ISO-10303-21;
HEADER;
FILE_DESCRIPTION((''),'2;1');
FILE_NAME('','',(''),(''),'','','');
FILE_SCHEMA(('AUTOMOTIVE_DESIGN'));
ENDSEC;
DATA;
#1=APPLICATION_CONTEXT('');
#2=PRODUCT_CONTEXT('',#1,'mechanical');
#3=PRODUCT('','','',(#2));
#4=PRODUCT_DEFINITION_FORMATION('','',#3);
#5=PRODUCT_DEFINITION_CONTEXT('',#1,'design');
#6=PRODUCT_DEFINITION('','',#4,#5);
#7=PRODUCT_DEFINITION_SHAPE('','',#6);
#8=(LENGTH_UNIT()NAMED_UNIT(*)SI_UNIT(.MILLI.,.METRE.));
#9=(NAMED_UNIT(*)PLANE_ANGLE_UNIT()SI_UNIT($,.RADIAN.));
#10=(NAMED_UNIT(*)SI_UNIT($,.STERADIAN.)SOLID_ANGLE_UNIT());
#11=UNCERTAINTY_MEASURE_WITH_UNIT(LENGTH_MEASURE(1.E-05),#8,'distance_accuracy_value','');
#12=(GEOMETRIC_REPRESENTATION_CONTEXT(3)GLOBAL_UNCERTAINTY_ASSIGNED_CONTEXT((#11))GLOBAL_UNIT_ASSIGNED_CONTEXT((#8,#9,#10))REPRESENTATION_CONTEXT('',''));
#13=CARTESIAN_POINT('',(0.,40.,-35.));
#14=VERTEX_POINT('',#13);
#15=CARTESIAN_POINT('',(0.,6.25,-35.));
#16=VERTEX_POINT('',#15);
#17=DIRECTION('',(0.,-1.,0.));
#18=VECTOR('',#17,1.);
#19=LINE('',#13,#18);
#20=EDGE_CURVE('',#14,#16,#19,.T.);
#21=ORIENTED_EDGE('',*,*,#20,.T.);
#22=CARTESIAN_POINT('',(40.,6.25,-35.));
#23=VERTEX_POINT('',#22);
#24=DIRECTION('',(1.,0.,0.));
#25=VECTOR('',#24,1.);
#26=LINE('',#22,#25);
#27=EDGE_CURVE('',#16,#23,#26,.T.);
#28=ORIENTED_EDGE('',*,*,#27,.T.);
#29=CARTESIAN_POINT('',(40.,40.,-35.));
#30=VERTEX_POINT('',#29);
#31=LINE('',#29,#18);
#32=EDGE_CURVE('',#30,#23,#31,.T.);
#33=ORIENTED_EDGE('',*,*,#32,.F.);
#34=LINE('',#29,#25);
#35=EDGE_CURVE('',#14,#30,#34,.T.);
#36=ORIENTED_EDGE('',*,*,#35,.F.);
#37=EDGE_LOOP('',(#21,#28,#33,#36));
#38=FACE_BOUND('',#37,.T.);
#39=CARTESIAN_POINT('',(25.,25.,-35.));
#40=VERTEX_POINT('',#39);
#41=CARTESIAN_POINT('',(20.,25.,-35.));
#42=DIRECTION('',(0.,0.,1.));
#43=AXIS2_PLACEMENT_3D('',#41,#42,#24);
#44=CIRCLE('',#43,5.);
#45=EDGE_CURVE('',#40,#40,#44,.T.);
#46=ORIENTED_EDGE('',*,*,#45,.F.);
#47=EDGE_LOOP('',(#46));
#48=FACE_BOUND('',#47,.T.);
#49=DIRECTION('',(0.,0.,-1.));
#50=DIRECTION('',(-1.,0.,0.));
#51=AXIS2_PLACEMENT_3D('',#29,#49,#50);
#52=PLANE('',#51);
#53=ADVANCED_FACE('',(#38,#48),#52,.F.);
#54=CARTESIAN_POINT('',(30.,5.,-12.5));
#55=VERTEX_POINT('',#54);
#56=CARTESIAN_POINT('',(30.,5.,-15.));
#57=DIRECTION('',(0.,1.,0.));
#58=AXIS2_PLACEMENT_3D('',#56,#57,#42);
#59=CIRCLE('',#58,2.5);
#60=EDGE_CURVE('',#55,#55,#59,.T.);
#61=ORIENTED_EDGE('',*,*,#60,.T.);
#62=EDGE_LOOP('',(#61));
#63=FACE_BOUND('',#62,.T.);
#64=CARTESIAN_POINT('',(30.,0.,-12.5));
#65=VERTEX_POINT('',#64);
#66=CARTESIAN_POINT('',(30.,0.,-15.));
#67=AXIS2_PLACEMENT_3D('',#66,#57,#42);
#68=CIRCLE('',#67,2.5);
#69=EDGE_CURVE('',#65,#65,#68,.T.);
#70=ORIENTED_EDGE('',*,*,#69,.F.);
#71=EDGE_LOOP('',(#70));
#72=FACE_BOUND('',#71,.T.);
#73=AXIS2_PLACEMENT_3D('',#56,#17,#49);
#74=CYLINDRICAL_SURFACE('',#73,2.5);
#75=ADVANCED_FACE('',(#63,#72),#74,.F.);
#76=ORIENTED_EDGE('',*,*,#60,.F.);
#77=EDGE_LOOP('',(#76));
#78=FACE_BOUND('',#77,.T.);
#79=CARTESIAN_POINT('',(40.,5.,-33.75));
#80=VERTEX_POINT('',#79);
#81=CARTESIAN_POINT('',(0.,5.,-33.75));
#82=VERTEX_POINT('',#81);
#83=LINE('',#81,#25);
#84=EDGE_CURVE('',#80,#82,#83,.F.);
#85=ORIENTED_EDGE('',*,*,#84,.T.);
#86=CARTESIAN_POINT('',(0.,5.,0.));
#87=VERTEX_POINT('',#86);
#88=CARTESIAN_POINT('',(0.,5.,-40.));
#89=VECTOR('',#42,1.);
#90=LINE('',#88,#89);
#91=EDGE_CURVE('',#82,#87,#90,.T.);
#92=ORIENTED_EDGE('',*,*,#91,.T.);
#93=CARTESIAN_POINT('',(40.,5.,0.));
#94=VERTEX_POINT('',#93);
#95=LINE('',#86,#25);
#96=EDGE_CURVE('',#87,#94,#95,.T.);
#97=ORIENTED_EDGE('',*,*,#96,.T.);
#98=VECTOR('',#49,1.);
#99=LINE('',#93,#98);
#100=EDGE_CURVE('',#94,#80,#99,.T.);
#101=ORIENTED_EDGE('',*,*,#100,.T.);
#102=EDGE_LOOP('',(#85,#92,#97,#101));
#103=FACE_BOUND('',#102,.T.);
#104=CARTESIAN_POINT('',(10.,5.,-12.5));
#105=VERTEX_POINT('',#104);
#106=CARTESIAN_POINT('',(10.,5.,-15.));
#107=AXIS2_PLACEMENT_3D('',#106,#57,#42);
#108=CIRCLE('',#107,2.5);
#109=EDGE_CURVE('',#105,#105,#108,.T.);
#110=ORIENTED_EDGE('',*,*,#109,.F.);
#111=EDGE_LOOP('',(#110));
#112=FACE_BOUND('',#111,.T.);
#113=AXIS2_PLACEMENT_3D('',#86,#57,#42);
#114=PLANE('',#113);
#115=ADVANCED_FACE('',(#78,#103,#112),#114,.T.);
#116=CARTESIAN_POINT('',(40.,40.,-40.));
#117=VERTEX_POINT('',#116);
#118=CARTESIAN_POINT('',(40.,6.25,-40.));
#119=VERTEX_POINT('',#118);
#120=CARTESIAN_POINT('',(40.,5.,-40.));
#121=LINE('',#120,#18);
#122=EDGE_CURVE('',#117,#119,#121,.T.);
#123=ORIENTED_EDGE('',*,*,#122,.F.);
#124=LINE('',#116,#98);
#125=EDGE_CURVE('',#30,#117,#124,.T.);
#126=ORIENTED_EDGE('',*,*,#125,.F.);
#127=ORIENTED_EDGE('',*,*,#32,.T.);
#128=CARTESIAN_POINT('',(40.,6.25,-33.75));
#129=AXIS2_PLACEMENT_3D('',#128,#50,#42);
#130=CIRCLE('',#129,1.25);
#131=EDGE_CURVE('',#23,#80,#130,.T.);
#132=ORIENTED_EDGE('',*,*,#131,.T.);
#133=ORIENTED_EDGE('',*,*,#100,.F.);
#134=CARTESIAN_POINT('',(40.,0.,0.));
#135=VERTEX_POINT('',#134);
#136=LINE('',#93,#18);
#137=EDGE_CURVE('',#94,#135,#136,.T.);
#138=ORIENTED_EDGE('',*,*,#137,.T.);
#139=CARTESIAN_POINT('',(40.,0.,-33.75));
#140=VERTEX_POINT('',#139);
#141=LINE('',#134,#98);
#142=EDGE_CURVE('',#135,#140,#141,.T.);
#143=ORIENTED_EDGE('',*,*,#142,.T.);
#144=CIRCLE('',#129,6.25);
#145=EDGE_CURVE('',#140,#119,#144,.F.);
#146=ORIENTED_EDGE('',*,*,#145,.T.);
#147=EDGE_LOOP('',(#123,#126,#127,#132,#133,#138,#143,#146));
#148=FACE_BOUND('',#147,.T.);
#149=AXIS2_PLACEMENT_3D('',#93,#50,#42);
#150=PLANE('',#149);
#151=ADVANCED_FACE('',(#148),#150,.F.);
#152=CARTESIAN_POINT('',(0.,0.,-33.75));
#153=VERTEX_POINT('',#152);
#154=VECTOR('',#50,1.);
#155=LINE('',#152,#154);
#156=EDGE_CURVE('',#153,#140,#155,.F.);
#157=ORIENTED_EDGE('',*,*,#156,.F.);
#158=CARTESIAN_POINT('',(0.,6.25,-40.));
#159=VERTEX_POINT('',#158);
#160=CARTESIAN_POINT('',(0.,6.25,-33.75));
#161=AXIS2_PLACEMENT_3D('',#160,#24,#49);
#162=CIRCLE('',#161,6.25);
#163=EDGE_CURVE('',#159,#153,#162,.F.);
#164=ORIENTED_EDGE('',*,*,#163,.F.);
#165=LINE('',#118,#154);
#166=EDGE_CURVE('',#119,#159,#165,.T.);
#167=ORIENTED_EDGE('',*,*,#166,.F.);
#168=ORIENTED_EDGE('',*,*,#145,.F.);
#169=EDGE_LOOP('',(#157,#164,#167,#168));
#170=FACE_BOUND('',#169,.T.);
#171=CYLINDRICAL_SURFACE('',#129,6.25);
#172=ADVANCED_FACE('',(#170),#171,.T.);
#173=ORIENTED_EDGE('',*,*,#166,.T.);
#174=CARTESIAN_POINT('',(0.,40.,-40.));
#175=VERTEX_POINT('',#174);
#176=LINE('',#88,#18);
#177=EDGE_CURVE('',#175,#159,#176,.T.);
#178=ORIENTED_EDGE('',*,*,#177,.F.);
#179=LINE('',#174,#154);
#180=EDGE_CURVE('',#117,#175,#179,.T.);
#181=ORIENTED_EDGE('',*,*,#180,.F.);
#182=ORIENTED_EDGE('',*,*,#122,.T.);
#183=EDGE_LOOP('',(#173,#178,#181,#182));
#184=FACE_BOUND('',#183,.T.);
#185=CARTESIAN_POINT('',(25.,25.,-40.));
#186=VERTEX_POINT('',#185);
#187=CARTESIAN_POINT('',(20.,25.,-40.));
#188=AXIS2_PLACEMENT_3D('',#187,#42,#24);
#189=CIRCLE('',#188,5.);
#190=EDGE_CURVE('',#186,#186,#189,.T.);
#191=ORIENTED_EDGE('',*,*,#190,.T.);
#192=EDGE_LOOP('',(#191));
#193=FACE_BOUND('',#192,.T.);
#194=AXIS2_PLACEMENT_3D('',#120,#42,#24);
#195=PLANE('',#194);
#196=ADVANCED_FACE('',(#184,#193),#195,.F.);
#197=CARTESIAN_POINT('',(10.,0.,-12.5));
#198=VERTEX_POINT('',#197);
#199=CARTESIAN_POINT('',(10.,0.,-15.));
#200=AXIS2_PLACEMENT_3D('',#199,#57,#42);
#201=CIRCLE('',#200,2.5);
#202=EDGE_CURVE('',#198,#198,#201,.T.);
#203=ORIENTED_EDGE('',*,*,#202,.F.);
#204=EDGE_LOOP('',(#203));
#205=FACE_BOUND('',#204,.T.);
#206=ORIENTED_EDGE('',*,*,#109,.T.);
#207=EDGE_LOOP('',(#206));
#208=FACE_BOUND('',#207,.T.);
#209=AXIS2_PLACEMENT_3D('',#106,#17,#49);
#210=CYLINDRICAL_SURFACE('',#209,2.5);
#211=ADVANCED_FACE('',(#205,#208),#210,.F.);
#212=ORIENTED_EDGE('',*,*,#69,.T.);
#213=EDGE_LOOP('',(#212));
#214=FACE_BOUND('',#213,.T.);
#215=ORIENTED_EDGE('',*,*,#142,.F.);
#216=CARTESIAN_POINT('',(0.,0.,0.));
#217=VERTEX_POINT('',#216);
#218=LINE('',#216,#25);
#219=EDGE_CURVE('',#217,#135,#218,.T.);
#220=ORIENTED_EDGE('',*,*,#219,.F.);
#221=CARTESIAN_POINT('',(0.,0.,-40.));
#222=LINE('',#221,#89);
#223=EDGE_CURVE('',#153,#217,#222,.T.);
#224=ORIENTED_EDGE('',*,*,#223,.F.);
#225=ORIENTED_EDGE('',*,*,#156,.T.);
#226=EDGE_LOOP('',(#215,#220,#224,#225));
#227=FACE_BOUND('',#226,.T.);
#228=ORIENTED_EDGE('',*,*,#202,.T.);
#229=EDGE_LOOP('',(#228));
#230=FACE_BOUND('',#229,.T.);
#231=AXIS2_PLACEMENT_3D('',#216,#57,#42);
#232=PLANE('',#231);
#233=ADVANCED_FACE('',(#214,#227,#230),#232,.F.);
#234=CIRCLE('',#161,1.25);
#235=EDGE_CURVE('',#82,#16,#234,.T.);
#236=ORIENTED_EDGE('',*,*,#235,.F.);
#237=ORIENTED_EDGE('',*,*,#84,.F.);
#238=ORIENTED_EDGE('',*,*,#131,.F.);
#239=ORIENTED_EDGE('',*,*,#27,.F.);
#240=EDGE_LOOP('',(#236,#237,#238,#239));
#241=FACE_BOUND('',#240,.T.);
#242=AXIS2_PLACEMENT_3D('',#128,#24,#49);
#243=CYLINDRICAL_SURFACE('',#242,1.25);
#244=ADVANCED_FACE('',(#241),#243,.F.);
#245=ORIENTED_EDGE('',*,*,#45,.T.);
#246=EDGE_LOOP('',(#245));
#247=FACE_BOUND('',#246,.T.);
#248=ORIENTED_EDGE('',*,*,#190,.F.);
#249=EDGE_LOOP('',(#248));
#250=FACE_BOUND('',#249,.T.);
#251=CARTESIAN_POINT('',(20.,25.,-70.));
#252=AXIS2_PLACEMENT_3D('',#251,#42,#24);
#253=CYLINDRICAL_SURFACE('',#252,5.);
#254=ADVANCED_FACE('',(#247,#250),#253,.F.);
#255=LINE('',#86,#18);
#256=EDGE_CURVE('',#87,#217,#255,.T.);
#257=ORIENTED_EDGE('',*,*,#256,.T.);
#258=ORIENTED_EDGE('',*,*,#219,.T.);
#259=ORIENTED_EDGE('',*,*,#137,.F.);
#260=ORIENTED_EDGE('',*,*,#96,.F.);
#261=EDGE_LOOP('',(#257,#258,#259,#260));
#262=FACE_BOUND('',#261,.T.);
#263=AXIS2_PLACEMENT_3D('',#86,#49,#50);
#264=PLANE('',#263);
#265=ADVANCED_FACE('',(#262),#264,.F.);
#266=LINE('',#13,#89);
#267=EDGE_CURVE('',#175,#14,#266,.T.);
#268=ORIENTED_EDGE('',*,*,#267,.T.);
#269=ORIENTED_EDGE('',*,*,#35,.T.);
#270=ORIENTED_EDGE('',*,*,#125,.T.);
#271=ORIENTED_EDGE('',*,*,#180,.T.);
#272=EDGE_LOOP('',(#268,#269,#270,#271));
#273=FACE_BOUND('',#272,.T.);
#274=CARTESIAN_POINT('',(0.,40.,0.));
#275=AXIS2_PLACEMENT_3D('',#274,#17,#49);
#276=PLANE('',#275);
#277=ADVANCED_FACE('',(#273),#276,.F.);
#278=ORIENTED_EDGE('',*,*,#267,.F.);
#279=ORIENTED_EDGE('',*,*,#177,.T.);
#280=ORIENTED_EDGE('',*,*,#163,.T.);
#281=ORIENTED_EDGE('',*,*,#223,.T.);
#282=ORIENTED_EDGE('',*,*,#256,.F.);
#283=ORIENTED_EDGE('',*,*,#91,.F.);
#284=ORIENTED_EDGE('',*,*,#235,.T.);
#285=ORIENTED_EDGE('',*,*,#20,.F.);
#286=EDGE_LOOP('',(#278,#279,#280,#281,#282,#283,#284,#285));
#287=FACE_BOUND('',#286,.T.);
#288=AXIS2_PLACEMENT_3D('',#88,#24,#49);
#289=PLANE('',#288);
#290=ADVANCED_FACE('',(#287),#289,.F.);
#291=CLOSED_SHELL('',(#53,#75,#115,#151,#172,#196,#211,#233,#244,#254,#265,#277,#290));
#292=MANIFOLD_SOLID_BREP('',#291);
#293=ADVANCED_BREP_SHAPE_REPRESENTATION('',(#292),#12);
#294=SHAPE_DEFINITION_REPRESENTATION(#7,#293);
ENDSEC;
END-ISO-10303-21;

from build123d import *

# Parameters (mm, degrees)
SKETCH1_W           = 40
SKETCH1_H           = 40
SKETCH1_R           = 2.5
BOSS_EXTRUDE1_DEPTH = 5
SKETCH2_W           = 40
SKETCH2_H           = 5
BOSS_EXTRUDE2_DEPTH = 35
SKETCH3_R           = 5
CUT_EXTRUDE1_DEPTH  = 35
FILLET1_R           = 6.25
FILLET2_R           = 1.25


with BuildPart() as part:
    # Sketch1 → Boss-Extrude1 (new body)
    with BuildSketch(Plane(origin=(0, 0, 0), x_dir=(1, 0, 0), z_dir=(0, 1, 0))):
        with Locations((20, 20)):
            Rectangle(SKETCH1_W, SKETCH1_H)
        with Locations(Location((10, 15, 0), (0, 0, 270))):
            Circle(SKETCH1_R, mode=Mode.SUBTRACT)
        with Locations(Location((30, 15, 0), (0, 0, 270))):
            Circle(SKETCH1_R, mode=Mode.SUBTRACT)
    extrude(amount=BOSS_EXTRUDE1_DEPTH)

    # Sketch2 → Boss-Extrude2 (add)
    with BuildSketch(Plane(origin=(0, 5, 0), x_dir=(1, 0, 0), z_dir=(0, 1, 0))):
        with Locations((20, 37.5)):
            Rectangle(SKETCH2_W, SKETCH2_H)
    extrude(amount=BOSS_EXTRUDE2_DEPTH)

    # Sketch3 → Cut-Extrude1 (cut)
    with BuildSketch(Plane.XY.offset(-35)):
        with Locations((20, 25)):
            Circle(SKETCH3_R)
    extrude(amount=-CUT_EXTRUDE1_DEPTH, mode=Mode.SUBTRACT)

    # Fillet1
    fillet1_edges = [part.edges().sort_by_distance(p)[0] for p in [
        (20, 0, -40),
    ]]
    fillet(fillet1_edges, radius=FILLET1_R)

    # Fillet2
    fillet2_edges = [part.edges().sort_by_distance(p)[0] for p in [
        (20, 5, -35),
    ]]
    fillet(fillet2_edges, radius=FILLET2_R)


solid = part.part
